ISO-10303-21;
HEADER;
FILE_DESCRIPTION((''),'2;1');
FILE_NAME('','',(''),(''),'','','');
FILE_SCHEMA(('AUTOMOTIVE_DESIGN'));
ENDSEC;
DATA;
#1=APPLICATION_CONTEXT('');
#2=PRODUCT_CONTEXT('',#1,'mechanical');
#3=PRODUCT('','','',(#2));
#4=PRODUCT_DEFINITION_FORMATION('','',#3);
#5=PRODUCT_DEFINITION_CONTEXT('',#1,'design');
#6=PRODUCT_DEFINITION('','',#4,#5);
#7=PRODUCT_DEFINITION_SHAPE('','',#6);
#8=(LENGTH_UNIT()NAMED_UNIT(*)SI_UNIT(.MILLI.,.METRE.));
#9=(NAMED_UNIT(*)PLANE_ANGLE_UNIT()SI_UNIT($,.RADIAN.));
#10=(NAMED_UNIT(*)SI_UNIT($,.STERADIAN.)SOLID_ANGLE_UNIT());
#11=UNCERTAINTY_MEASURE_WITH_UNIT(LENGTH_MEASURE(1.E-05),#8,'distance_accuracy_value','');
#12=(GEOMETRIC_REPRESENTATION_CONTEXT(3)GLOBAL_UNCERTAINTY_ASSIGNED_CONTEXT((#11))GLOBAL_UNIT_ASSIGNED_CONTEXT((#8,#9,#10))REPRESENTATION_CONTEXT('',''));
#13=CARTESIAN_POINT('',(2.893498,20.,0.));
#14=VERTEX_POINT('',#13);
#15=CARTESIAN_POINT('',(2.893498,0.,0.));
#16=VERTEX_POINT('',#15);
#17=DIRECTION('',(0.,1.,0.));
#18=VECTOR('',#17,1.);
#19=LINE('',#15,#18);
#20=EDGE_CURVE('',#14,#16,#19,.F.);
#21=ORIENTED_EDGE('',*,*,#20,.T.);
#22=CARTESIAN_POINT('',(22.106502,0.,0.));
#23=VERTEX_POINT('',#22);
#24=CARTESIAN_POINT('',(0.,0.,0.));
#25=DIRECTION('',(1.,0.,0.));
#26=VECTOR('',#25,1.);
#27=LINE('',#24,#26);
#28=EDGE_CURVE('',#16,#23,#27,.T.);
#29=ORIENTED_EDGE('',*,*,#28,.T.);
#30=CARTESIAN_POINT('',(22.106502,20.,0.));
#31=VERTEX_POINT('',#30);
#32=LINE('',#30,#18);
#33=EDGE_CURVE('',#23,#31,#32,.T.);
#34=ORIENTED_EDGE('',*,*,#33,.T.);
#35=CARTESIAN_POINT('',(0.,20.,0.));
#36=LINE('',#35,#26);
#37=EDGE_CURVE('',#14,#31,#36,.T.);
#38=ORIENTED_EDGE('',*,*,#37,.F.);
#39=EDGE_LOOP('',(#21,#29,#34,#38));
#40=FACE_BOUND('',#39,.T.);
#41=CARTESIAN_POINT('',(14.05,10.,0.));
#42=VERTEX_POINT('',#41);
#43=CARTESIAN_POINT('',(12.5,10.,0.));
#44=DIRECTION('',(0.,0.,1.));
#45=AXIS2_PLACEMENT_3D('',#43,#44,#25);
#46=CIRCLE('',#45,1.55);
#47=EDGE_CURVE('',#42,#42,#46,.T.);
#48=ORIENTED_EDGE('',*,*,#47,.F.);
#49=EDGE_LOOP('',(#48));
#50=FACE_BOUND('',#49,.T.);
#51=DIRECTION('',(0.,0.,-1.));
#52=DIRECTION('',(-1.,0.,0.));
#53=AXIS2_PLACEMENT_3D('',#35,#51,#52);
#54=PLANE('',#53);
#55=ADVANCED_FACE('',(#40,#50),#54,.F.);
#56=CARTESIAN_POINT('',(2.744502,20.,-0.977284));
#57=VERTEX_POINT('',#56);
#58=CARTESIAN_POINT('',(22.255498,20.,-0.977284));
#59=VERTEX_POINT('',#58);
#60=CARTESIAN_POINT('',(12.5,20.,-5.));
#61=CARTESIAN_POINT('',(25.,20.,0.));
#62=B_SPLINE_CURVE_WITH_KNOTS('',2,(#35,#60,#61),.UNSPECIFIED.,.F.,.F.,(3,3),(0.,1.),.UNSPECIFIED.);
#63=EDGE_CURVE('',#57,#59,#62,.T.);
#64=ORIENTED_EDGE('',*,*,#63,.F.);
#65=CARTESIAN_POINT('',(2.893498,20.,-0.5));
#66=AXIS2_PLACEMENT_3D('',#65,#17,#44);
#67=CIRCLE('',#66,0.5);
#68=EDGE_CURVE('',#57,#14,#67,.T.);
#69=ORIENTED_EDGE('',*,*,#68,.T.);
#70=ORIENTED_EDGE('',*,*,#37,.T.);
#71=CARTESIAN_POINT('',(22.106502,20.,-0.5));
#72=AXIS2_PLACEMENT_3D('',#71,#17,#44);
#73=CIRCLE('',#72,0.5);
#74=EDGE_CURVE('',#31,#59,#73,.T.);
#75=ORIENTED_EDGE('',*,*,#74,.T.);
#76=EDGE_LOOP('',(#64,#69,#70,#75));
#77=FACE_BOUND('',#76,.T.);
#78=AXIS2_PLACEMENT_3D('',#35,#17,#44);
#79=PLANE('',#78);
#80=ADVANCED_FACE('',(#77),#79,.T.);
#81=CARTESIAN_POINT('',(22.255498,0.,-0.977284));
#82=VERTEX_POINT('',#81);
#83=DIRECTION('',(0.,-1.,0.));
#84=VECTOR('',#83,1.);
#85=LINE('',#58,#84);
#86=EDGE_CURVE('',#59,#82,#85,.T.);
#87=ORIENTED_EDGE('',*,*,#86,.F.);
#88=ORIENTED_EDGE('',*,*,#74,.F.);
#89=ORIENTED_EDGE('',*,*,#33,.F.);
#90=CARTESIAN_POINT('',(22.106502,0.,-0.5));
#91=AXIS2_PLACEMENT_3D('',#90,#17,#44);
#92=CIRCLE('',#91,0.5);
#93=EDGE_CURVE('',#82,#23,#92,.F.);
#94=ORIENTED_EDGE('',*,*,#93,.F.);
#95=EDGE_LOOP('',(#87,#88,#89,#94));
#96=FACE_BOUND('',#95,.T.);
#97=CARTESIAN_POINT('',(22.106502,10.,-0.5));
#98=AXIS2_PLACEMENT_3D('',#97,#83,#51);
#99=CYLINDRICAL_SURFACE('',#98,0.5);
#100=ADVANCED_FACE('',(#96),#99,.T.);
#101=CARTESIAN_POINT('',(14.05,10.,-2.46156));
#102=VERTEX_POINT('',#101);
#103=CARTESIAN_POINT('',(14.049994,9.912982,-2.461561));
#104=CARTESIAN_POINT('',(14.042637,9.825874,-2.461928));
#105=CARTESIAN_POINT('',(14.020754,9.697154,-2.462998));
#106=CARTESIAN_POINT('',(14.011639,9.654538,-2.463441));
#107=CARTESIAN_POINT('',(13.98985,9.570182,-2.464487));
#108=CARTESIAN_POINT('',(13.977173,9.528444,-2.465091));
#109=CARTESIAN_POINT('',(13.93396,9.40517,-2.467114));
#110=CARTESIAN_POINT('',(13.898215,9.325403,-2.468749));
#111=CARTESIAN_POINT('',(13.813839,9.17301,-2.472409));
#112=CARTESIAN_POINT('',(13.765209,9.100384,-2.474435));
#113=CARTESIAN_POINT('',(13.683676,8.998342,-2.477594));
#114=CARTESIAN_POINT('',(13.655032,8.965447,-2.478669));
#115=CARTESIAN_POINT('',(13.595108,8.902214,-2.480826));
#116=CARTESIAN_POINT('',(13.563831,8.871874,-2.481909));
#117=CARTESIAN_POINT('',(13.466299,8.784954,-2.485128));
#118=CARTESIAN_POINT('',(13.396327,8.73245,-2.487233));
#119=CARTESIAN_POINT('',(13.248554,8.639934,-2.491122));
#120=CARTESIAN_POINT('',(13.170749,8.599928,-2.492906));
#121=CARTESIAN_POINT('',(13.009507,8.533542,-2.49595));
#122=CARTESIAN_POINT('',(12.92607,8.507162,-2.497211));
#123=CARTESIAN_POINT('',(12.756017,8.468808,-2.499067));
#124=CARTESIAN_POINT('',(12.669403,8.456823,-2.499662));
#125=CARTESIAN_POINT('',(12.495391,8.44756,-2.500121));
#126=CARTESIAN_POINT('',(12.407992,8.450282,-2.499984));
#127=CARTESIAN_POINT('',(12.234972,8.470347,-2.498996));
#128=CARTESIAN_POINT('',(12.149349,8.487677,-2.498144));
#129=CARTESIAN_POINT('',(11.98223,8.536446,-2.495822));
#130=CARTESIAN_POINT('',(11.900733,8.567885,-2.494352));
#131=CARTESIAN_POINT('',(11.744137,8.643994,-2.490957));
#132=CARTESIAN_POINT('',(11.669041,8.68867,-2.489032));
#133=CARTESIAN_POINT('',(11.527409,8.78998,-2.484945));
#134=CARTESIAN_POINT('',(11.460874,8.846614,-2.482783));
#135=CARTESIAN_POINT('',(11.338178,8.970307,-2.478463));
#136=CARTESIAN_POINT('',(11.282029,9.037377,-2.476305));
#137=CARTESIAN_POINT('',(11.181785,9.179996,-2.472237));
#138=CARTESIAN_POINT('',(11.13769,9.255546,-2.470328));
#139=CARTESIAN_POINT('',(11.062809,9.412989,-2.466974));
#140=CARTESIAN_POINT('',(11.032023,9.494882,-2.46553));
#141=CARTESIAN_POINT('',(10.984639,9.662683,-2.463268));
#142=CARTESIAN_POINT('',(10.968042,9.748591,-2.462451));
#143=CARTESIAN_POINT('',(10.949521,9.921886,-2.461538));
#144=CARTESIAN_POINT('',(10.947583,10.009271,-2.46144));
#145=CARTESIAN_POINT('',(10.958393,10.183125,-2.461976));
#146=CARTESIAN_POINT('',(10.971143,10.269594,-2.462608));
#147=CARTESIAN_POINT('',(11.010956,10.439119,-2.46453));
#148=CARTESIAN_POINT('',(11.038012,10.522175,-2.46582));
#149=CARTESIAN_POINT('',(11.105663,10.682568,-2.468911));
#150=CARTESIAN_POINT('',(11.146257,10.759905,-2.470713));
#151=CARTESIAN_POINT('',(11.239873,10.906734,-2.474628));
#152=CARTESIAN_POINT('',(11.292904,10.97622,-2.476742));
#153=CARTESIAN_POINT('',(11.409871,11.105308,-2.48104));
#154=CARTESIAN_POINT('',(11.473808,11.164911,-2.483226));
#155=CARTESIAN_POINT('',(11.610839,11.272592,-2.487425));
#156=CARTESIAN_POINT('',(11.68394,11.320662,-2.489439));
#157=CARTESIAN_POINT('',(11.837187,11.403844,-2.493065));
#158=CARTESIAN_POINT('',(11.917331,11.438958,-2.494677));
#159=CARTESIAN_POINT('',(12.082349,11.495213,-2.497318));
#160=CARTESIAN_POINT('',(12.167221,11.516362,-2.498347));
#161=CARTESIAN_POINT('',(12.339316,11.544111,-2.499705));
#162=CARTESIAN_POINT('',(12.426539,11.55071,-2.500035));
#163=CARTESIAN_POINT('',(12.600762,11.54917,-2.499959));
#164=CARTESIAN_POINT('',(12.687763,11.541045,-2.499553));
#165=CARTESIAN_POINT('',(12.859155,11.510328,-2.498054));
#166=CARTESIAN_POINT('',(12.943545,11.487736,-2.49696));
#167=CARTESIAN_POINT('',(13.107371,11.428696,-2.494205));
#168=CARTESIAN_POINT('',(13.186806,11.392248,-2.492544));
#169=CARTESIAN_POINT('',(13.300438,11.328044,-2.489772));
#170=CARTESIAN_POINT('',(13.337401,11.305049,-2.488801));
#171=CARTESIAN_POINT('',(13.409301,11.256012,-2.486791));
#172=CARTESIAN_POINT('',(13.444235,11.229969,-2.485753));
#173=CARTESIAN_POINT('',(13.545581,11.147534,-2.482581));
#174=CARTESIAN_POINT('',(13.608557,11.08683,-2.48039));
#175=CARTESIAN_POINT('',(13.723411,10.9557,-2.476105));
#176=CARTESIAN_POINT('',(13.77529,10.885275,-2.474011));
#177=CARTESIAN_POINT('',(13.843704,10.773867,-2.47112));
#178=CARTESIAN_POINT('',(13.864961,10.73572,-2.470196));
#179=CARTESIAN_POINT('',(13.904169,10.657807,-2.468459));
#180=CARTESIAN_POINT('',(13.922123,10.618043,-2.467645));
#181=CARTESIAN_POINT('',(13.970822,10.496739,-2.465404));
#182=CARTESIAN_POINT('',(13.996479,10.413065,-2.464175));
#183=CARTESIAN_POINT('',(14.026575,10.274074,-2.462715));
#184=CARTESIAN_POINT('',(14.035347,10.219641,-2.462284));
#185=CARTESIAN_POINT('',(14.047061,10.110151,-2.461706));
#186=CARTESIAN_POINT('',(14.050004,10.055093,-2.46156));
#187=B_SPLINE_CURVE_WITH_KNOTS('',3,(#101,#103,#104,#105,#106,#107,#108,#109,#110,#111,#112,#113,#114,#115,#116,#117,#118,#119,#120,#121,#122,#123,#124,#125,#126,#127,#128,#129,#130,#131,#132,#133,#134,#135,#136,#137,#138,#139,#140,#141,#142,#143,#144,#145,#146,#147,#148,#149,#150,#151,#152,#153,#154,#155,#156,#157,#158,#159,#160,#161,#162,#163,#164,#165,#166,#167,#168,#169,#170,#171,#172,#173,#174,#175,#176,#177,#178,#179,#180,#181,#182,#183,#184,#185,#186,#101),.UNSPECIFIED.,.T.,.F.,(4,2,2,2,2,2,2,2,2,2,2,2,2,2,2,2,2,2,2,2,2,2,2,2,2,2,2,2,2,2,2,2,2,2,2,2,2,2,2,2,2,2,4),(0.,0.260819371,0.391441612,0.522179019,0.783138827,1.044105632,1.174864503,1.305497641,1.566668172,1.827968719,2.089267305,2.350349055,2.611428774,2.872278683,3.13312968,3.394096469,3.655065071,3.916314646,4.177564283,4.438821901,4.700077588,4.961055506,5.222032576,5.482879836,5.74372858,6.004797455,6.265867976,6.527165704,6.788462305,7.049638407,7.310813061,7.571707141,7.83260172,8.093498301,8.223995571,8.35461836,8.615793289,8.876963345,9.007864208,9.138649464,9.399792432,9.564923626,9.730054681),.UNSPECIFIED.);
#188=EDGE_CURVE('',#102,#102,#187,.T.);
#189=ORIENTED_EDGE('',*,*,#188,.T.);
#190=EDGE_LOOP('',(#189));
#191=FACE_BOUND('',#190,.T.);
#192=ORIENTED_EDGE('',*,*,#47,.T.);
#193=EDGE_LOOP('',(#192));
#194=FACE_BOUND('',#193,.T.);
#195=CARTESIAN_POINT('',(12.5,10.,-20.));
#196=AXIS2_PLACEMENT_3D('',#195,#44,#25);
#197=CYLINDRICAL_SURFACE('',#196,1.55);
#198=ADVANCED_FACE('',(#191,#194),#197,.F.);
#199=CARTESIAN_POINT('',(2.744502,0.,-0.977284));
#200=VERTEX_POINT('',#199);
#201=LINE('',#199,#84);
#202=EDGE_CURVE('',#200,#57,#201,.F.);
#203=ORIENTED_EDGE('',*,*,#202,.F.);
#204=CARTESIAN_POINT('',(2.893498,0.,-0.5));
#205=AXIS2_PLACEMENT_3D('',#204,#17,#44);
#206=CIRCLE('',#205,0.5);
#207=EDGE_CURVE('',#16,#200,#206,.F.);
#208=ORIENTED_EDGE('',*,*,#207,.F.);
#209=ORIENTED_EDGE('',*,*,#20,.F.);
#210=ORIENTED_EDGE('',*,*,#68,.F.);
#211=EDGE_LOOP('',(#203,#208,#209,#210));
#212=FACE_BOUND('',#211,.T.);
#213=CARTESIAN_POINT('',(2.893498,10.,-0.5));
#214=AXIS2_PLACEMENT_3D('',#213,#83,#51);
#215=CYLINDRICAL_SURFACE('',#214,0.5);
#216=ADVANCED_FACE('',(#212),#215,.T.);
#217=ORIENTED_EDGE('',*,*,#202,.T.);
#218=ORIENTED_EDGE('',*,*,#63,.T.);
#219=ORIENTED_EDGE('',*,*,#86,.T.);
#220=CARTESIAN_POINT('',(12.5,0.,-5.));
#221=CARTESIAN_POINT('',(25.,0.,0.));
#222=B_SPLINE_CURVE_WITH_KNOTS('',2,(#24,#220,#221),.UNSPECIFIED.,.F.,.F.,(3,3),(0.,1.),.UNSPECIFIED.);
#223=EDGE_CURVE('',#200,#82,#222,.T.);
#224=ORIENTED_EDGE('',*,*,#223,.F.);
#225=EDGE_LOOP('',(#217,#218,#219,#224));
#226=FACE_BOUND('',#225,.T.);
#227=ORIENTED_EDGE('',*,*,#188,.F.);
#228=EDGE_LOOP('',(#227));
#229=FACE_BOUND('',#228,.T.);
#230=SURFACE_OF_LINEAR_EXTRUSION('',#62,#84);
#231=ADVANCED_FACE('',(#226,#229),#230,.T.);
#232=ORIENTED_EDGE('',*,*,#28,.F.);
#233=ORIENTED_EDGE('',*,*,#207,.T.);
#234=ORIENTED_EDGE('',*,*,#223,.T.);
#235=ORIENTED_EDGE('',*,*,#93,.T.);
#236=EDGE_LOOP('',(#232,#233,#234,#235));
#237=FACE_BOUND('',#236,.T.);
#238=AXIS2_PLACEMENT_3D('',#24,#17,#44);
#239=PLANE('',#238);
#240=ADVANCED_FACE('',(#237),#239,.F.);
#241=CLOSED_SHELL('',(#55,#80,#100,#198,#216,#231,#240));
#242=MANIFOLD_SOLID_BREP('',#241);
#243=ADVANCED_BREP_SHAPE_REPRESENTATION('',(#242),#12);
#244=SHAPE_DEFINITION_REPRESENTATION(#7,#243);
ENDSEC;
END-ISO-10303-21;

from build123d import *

# Parameters (mm, degrees)
BOSS_EXTRUDE1_DEPTH = 20
SKETCH2_R           = 1.55
CUT_EXTRUDE1_DEPTH  = 20
FILLET1_R           = 0.5


with BuildPart() as part:
    # Sketch1 → Boss-Extrude1 (new body)
    with BuildSketch(Plane(origin=(0, 0, 0), x_dir=(1, 0, 0), z_dir=(0, 1, 0))):
        with BuildLine():
            add(Edge.make_bspline(
                [(0, 0), (6.25, 2.5), (12.5, 2.5)],
                knots=[0, 0, 0, 0.5, 0.5, 0.5], degree=2))
            Line((0, 0), (12.5, 0))
            Line((12.5, 0), (12.5, 2.5))
        make_face()
        with BuildLine():
            Line((12.5, 2.5), (12.5, 0))
            Line((12.5, 0), (25, 0))
            add(Edge.make_bspline(
                [(12.5, 2.5), (18.75, 2.5), (25, 0)],
                knots=[0.5, 0.5, 0.5, 1, 1, 1], degree=2))
        make_face()
    extrude(amount=BOSS_EXTRUDE1_DEPTH)

    # Sketch2 → Cut-Extrude1 (cut)
    with BuildSketch(Plane.XY):
        with Locations((12.5, 10)):
            Circle(SKETCH2_R)
    extrude(amount=-CUT_EXTRUDE1_DEPTH, mode=Mode.SUBTRACT)

    # Fillet1
    fillet1_edges = [part.edges().sort_by_distance(p)[0] for p in [
        (0, 10, 0),
        (25, 10, 0),
    ]]
    fillet(fillet1_edges, radius=FILLET1_R)


solid = part.part
